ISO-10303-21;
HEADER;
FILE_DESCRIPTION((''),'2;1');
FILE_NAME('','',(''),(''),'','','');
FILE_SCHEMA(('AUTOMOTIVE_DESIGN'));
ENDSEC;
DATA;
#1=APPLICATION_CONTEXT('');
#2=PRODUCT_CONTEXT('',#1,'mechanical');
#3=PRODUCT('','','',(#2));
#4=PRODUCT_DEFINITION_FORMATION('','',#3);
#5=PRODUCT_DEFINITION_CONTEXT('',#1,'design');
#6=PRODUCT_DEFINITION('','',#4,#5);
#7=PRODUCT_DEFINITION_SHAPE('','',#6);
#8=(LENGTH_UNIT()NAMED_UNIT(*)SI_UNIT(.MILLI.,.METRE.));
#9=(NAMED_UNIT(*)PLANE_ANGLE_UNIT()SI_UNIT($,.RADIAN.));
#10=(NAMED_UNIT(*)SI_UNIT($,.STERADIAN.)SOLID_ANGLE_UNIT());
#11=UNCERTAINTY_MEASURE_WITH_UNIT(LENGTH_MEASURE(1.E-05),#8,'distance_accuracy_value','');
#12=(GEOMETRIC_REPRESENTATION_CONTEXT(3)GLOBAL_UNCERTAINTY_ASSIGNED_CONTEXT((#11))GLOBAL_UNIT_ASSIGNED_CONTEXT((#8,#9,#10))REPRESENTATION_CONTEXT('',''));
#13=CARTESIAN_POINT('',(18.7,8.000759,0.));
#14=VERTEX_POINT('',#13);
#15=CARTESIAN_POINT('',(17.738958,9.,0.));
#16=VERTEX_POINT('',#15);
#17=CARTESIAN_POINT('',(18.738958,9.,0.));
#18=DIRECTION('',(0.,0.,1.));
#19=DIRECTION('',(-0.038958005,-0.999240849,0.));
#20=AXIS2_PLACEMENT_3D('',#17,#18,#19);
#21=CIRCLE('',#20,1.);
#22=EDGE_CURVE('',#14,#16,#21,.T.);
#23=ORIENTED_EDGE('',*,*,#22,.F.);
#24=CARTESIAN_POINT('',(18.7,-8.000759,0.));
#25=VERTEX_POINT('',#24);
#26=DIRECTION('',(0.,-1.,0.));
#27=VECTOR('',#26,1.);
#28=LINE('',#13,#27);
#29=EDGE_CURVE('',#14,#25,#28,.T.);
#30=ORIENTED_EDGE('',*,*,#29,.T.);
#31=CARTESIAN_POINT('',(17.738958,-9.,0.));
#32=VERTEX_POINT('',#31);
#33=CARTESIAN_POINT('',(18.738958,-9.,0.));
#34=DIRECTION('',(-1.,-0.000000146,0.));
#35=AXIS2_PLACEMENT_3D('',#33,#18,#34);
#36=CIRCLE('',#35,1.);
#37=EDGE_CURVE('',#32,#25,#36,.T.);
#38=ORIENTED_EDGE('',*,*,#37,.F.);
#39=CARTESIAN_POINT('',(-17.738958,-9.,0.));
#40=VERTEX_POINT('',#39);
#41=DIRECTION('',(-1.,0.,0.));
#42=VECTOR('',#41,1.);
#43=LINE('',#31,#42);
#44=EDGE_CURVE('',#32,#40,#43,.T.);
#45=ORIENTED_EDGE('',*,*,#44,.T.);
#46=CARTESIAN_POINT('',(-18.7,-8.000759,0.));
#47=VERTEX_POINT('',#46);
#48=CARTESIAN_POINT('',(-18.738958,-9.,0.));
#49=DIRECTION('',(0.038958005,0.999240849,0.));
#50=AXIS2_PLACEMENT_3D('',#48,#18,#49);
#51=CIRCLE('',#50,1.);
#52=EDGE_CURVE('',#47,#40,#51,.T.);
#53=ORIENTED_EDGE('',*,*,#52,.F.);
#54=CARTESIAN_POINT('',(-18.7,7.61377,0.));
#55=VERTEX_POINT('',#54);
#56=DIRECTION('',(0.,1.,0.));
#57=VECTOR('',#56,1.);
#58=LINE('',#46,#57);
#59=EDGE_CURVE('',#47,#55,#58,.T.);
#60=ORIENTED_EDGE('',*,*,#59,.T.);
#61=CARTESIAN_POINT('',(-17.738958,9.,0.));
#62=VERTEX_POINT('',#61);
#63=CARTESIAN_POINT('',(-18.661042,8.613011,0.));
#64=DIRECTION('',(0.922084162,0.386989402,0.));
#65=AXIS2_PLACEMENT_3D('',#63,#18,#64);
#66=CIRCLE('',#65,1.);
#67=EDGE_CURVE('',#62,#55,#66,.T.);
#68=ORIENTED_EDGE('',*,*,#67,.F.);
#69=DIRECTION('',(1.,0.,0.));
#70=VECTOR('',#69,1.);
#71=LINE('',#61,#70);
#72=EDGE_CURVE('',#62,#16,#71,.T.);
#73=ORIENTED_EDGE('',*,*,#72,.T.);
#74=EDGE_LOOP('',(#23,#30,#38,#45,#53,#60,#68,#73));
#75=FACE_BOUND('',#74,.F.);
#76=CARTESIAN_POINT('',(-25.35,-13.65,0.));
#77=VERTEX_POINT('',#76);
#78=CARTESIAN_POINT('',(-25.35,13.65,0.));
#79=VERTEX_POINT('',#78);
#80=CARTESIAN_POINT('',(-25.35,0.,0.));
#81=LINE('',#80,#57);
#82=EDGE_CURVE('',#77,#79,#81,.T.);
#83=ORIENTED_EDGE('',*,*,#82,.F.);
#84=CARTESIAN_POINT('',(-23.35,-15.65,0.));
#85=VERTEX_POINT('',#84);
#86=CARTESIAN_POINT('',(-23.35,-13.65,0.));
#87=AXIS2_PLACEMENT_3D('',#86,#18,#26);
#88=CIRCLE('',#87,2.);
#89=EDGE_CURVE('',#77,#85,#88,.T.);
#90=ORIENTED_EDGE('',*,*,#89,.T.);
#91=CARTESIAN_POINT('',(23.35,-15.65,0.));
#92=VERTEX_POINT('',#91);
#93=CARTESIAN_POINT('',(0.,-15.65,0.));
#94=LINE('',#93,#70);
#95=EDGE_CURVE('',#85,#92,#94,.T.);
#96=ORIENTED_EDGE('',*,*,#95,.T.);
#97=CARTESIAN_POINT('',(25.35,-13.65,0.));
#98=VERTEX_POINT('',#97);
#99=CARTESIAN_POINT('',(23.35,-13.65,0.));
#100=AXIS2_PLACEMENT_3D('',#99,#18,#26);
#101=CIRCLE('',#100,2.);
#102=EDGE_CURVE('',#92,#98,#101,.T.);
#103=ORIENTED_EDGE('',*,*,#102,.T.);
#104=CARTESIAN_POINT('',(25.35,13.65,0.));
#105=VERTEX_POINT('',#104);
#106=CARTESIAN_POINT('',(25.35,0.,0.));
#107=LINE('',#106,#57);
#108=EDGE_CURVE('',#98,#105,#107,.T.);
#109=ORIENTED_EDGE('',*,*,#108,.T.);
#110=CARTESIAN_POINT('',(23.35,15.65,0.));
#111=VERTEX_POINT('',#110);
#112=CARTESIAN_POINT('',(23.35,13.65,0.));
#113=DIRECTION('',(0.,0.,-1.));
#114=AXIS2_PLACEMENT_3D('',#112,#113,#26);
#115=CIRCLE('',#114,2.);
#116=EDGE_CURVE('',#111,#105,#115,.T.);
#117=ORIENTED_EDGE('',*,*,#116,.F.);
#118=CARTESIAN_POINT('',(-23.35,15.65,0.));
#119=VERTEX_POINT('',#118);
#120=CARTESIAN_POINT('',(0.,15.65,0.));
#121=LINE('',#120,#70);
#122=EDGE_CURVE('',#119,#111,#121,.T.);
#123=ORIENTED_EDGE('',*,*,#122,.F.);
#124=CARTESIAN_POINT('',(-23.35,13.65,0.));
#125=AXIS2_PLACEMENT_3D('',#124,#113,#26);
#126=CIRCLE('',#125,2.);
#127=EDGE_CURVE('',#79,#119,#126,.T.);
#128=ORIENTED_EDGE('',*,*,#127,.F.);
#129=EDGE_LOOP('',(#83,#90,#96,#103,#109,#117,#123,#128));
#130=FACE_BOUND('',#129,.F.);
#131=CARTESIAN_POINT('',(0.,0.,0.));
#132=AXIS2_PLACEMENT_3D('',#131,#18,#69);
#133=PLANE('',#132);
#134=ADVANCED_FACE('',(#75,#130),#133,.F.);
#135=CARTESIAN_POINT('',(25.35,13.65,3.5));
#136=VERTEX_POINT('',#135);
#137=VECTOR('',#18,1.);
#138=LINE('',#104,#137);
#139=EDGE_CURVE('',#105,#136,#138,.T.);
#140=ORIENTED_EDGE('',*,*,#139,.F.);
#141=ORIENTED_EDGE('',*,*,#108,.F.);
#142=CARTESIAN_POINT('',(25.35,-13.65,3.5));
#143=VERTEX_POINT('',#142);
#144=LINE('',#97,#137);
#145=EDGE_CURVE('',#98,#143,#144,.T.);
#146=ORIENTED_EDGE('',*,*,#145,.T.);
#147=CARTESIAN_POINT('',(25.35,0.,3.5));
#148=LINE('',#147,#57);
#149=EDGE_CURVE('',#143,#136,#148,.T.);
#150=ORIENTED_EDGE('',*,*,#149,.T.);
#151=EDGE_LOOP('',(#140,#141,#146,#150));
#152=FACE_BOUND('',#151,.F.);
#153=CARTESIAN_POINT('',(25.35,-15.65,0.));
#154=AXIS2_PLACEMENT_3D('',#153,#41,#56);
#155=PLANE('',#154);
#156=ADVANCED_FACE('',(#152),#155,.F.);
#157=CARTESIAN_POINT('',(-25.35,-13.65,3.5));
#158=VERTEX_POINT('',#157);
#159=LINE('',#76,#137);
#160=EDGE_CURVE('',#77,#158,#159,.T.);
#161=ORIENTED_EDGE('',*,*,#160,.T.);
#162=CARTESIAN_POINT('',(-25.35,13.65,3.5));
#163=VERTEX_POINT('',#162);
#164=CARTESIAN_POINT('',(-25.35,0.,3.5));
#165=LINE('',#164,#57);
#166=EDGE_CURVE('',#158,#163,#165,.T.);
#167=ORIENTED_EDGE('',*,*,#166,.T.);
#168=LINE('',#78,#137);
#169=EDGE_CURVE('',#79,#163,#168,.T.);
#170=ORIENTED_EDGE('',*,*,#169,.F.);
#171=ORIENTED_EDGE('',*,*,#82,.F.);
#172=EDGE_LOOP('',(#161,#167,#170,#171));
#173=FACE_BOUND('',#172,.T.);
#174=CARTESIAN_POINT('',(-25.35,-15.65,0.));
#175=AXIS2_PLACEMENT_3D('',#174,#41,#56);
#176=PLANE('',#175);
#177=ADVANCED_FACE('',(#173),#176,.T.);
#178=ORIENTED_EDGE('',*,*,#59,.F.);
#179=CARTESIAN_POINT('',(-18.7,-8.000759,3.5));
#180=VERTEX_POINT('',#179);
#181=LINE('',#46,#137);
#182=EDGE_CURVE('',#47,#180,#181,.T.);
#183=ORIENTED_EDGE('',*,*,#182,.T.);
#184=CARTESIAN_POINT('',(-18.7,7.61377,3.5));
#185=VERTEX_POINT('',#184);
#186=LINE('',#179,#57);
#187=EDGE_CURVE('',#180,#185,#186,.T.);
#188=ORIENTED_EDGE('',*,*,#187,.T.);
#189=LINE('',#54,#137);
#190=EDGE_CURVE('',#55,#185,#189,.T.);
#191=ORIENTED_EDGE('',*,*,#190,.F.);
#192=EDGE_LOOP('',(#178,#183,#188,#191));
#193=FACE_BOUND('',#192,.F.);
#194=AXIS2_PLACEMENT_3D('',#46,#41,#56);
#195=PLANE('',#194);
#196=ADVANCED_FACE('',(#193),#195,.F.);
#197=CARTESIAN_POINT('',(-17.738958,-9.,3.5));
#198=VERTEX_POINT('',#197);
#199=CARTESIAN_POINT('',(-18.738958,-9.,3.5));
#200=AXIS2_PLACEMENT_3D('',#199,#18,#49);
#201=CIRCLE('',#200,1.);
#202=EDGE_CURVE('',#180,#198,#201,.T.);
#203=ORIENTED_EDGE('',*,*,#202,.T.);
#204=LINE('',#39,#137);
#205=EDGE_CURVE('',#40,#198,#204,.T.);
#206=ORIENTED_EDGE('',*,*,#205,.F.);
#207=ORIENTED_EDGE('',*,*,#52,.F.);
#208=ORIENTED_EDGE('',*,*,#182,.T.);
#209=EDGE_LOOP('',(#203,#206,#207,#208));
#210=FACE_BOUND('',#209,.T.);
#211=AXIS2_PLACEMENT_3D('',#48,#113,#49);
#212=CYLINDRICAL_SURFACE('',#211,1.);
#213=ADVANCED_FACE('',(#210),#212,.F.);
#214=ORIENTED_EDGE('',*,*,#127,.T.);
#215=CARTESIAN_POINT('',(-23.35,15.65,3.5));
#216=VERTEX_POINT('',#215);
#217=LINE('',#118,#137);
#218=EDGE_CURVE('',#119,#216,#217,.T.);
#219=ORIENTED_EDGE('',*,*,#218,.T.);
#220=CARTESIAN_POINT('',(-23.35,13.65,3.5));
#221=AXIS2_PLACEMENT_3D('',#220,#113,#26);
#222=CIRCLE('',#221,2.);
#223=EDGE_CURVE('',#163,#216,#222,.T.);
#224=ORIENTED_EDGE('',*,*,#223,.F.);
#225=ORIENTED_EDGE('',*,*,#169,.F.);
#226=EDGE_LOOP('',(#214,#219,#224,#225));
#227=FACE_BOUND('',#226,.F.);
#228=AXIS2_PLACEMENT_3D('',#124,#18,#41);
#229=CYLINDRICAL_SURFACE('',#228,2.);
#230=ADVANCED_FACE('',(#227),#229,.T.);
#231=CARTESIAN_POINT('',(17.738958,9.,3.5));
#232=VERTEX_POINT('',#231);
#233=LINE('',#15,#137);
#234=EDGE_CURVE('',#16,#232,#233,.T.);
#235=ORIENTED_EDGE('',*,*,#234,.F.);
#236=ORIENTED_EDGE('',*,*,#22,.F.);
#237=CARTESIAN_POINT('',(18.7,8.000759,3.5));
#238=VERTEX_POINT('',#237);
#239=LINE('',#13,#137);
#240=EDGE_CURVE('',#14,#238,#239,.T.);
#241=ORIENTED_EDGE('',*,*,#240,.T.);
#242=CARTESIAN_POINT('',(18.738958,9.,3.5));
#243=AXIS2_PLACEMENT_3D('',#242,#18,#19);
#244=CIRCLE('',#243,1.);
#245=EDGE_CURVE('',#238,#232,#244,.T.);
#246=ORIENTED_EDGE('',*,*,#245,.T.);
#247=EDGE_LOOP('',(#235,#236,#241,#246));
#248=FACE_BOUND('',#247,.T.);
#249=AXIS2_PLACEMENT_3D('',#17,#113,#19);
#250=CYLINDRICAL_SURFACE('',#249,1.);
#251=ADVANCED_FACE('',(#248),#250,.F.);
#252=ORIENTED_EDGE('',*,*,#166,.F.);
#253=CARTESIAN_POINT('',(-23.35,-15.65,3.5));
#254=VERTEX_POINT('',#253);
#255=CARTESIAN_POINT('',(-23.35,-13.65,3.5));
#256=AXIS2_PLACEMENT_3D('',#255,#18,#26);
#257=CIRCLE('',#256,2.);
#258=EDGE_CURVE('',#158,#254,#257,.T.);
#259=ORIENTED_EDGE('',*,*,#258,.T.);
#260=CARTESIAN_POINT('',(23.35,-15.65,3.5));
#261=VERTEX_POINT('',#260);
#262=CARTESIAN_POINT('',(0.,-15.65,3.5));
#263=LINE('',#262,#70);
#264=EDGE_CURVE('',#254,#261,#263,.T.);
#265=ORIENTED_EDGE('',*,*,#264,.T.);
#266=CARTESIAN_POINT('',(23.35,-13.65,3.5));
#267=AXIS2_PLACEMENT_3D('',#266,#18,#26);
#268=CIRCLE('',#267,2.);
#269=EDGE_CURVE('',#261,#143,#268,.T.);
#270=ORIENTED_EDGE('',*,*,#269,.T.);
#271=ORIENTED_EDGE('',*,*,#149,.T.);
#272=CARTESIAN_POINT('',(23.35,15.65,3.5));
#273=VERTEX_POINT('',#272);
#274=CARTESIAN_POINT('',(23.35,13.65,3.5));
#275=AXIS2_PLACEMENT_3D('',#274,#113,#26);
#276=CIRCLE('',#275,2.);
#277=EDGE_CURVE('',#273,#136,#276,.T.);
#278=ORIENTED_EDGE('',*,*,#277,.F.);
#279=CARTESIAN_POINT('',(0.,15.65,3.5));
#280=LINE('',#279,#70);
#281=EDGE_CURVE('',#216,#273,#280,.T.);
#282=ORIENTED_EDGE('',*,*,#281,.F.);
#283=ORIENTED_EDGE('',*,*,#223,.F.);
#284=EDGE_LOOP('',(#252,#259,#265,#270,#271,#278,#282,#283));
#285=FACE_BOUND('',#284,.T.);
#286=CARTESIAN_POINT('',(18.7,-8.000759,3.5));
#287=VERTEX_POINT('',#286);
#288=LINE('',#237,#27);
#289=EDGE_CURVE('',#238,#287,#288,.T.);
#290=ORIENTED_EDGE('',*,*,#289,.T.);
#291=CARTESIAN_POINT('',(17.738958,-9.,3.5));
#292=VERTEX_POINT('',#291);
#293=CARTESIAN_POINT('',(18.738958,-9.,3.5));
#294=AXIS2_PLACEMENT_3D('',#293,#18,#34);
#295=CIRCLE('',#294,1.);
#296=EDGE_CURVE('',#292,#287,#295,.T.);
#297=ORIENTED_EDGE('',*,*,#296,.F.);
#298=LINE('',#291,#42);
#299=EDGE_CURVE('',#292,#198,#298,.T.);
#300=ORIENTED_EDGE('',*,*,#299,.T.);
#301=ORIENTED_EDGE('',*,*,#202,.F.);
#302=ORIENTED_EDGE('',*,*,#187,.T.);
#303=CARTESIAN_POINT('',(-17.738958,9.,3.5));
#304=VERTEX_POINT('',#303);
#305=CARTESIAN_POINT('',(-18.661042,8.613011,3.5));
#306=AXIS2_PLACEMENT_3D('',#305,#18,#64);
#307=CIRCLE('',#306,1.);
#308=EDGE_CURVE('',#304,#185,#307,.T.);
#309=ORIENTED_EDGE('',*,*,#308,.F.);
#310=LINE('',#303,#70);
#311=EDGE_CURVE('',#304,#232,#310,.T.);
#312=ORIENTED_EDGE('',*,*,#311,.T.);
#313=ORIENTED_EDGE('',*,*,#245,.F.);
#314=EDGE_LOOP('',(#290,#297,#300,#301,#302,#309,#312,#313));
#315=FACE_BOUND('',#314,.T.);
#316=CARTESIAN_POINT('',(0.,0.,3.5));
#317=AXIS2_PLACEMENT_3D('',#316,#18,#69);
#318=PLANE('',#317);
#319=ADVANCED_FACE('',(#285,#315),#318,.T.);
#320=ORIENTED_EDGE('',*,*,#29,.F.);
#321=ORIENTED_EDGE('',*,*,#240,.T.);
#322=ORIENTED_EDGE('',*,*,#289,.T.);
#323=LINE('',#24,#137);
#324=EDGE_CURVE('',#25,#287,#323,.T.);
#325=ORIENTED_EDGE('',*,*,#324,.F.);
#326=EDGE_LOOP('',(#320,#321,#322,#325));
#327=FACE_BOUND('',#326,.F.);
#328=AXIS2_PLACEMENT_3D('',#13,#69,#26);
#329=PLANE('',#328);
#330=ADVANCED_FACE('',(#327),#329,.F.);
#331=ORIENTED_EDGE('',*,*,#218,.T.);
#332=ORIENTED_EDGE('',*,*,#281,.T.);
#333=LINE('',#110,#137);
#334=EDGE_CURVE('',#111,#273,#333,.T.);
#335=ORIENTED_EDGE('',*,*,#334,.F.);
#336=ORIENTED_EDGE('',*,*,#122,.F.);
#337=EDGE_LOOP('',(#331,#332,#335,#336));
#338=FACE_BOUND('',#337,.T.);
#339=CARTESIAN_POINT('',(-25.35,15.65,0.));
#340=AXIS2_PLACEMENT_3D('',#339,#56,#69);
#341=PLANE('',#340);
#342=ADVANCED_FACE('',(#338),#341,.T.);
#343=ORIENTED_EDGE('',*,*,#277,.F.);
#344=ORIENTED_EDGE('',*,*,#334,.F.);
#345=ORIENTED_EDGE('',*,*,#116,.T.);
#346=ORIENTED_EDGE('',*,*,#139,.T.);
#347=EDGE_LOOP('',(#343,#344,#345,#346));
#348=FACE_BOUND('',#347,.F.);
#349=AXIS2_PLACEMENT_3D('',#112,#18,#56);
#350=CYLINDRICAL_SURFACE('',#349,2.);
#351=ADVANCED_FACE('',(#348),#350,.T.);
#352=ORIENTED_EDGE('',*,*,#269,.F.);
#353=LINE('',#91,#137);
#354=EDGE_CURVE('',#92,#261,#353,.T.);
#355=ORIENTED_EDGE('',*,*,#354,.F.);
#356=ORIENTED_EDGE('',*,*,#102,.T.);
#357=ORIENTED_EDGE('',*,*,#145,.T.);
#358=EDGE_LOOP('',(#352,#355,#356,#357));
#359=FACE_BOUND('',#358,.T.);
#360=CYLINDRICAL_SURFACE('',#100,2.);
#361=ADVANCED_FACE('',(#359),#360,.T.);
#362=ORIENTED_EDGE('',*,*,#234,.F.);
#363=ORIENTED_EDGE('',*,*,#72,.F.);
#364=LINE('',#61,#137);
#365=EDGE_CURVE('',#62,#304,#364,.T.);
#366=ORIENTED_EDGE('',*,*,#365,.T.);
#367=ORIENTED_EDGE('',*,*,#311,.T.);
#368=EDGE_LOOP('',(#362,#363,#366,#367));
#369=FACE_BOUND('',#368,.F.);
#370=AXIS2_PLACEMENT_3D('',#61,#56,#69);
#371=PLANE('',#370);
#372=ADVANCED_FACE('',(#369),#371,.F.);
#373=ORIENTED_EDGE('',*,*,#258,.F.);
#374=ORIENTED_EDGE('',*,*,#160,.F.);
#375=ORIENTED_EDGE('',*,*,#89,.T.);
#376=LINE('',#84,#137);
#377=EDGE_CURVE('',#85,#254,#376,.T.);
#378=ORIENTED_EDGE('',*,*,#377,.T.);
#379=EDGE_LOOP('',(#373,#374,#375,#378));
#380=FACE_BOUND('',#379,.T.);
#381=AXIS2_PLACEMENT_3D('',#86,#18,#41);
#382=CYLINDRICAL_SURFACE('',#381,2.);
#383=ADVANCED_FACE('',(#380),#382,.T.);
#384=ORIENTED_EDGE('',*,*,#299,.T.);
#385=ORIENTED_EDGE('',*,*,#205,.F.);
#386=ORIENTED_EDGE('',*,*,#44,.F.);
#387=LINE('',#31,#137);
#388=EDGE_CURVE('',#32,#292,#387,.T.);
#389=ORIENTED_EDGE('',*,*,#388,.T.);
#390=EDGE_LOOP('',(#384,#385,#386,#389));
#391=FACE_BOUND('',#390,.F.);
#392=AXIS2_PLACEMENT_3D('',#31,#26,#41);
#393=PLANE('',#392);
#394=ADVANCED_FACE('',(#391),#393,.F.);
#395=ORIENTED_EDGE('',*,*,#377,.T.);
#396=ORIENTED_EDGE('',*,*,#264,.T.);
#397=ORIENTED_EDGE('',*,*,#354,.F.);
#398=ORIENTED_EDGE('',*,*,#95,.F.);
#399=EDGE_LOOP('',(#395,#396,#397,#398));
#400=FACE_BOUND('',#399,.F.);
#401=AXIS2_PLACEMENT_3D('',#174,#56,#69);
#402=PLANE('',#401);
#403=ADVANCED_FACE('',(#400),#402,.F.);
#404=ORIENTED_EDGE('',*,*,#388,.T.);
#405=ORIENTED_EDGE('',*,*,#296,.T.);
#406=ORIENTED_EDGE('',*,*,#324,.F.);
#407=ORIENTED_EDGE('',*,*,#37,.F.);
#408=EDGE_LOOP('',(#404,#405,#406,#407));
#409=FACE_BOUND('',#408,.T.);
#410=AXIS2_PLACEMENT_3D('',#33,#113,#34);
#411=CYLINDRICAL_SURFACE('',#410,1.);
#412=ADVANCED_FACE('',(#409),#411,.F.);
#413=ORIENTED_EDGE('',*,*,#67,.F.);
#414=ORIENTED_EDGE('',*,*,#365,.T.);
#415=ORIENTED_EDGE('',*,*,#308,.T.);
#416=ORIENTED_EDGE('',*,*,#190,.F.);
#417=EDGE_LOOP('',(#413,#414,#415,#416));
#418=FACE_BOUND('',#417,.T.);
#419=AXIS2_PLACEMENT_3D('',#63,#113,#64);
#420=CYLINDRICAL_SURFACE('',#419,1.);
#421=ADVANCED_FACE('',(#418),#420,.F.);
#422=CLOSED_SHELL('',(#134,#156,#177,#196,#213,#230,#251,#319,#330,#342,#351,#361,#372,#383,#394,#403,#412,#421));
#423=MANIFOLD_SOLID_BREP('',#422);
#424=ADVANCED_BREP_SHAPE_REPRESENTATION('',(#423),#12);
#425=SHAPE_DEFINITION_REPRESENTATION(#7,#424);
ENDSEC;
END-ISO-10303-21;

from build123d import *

# Parameters (mm, degrees)
SKETCH_W  = 50.7
SKETCH_H  = 31.3
PAD_DEPTH = 3.5
FILLET_R  = 2


with BuildPart() as part:
    # Sketch → Pad (new body)
    with BuildSketch(Plane.XY):
        Rectangle(SKETCH_W, SKETCH_H)
        with BuildLine():
            Line((-17.738958, 9), (17.738958, 9))
            ThreePointArc((18.7, 8.000759), (19.459707, 9.693196), (17.738958, 9))
            Line((18.7, 8.000759), (18.7, -8.000759))
            ThreePointArc((17.738958, -9), (19.459707, -9.693196), (18.7, -8.000759))
            Line((17.738958, -9), (-17.738958, -9))
            ThreePointArc((-18.7, -8.000759), (-19.459707, -9.693196), (-17.738958, -9))
            Line((-18.7, -8.000759), (-18.7, 7.61377))
            ThreePointArc((-17.738958, 9), (-19.482861, 9.182759), (-18.7, 7.61377))
        make_face(mode=Mode.SUBTRACT)
    extrude(amount=PAD_DEPTH)

    # Fillet
    fillet_edges = [part.edges().sort_by_distance(p)[0] for p in [
        (25.35, 15.65, 1.75),
        (25.35, -15.65, 1.75),
        (-25.35, -15.65, 1.75),
        (-25.35, 15.65, 1.75),
    ]]
    fillet(fillet_edges, radius=FILLET_R)


solid = part.part
